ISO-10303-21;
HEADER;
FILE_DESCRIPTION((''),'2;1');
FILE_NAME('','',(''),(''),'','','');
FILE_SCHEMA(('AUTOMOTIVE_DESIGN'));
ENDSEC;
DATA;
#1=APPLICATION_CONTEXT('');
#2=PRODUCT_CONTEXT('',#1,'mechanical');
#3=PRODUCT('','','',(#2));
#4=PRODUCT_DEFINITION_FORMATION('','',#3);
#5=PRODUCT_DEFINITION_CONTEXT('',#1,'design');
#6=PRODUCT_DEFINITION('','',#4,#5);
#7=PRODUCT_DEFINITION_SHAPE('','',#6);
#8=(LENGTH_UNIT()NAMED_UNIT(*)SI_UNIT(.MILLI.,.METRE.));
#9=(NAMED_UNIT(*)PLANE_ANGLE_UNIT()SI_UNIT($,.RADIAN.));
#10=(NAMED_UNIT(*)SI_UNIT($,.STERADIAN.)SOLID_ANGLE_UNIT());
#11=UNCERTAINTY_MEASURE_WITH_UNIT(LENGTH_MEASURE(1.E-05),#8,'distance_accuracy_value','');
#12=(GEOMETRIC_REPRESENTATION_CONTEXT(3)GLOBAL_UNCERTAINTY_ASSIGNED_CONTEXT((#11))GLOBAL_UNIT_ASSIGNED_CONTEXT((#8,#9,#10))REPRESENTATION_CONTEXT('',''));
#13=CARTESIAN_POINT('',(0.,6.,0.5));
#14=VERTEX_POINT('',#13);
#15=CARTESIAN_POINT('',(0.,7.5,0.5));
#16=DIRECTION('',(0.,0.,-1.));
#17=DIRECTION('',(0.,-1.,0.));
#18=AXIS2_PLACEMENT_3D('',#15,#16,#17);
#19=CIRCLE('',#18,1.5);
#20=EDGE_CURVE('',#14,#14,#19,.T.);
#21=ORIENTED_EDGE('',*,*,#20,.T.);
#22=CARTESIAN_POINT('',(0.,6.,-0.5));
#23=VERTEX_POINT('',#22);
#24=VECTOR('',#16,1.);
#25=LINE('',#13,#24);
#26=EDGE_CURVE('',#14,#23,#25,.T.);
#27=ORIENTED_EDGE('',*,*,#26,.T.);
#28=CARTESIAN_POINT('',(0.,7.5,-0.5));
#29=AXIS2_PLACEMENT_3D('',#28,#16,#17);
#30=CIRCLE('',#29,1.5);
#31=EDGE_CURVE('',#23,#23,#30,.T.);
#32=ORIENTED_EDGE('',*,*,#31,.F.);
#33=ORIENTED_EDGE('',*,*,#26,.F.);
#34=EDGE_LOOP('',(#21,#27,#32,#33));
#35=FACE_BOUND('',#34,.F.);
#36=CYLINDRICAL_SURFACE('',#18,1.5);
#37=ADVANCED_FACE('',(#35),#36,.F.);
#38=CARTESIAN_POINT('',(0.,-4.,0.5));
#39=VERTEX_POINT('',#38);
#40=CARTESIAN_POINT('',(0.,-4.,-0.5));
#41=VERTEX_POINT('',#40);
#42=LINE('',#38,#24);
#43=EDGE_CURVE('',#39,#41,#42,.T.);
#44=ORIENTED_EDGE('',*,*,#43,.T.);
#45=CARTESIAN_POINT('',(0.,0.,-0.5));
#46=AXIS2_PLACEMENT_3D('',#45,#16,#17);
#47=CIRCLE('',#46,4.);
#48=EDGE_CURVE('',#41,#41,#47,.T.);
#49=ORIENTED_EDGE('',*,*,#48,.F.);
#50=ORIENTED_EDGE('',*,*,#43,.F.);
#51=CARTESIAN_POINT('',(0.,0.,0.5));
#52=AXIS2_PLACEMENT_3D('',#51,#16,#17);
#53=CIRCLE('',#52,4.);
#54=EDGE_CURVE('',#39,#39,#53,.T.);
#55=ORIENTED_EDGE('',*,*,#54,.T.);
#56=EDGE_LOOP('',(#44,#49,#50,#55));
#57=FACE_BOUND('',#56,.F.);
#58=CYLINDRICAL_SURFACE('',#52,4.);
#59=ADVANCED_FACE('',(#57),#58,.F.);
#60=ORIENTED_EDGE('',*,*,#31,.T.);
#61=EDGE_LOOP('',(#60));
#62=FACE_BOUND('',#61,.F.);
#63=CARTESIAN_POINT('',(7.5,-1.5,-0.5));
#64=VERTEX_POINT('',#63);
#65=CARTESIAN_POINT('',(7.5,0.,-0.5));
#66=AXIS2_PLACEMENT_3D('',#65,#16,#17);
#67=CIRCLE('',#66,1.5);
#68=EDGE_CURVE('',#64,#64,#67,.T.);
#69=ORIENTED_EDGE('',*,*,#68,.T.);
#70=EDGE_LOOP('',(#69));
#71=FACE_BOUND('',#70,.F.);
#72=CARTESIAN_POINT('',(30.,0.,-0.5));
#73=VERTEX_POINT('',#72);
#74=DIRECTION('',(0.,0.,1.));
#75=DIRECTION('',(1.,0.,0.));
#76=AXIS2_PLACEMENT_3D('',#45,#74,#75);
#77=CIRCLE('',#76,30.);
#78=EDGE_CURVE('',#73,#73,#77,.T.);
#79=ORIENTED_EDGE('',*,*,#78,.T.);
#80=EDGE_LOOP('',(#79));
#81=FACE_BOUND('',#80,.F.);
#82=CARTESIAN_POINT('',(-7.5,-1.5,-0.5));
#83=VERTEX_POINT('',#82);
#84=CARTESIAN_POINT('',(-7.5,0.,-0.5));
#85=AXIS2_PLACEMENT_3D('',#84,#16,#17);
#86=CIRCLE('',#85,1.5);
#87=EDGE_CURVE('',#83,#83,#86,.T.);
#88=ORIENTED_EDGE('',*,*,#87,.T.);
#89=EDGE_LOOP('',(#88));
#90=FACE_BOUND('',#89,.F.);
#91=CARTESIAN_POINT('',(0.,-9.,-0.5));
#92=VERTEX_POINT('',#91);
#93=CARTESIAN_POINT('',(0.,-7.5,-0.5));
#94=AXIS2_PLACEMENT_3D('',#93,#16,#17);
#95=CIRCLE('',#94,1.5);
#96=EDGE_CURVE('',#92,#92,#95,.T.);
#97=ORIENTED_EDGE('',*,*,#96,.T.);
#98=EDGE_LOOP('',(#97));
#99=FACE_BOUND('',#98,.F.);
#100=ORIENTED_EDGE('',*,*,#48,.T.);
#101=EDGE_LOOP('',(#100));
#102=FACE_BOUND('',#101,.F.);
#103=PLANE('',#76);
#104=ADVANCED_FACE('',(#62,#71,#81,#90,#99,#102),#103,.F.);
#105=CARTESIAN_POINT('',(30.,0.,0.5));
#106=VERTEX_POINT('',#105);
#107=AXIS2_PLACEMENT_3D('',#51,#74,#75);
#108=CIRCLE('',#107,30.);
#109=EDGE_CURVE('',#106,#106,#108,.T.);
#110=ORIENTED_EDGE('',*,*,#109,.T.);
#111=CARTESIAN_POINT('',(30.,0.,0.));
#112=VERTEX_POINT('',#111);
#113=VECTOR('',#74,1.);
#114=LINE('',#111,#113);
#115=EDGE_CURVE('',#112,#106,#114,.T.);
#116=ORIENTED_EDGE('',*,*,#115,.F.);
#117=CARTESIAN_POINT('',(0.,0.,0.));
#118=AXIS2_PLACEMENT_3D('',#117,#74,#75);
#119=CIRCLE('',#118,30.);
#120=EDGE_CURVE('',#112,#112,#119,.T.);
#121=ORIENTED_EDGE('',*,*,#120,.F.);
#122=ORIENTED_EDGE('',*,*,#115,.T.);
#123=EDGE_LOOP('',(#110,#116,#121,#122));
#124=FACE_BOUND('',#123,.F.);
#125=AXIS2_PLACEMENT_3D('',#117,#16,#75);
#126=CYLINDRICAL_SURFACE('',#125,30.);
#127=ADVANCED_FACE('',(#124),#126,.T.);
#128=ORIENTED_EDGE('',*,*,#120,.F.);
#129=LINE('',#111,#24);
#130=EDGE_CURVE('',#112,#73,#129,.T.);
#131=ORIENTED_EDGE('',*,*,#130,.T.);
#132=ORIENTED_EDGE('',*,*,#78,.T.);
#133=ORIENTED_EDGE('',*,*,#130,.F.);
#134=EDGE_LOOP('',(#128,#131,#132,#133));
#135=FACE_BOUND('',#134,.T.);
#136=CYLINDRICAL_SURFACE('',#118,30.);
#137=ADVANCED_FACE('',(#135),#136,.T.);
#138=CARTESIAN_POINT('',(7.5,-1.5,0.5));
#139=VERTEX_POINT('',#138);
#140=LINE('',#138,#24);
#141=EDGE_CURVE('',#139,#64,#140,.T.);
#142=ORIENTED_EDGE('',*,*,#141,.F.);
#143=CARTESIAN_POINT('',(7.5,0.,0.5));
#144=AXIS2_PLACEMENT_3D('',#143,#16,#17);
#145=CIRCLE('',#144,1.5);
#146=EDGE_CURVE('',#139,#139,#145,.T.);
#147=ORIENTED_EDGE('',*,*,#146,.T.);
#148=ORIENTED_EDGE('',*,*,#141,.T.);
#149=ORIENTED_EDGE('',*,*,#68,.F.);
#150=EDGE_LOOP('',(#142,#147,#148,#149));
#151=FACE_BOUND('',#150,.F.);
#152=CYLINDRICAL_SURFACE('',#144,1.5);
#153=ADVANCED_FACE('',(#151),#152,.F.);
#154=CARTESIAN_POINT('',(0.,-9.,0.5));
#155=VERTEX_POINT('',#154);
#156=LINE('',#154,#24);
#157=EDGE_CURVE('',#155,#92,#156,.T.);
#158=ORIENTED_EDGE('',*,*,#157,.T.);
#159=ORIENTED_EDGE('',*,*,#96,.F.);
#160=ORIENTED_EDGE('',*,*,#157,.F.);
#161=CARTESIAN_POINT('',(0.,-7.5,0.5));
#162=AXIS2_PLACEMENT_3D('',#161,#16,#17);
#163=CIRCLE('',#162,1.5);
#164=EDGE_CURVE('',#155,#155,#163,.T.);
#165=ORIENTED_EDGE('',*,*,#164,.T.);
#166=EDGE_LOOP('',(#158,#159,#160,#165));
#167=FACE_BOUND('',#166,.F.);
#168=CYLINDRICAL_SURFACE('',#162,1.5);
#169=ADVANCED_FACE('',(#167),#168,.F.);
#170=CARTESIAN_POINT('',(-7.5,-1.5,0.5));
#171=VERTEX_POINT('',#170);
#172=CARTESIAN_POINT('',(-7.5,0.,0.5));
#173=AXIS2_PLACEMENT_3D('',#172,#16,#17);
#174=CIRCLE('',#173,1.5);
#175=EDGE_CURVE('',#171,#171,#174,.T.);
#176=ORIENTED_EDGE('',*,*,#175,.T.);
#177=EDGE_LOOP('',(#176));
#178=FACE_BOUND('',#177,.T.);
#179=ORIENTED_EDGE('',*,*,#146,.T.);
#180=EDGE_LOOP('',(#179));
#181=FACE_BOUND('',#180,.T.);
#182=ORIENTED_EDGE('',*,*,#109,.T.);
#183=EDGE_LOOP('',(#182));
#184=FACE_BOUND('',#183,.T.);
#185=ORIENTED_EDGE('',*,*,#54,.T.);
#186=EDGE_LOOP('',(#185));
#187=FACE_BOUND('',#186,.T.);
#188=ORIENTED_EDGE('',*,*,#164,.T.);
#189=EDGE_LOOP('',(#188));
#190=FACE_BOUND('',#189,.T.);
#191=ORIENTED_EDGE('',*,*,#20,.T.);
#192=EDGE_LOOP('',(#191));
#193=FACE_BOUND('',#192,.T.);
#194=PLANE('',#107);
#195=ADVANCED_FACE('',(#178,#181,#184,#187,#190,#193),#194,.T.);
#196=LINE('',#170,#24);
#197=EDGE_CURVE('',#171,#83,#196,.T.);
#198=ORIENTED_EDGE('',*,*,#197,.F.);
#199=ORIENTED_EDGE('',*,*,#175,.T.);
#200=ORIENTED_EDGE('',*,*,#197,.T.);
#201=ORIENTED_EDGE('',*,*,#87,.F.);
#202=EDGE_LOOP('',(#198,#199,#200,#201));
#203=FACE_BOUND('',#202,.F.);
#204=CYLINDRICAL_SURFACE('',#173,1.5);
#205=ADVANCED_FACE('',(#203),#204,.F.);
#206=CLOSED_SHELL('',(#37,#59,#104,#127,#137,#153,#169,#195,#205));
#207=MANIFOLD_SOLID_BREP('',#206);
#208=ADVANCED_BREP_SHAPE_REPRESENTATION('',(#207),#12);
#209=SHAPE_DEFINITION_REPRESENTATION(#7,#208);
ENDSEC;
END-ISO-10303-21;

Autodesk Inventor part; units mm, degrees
ref_plane "YZ Plane" through (0, 0, 0) normal (1, 0, 0) x (0, 1, 0)
ref_plane "XZ Plane" through (0, 0, 0) normal (0, 1, 0) x (-1, 0, 0)
ref_plane "XY Plane" through (0, 0, 0) normal (0, 0, 1) x (1, 0, 0)
sketch "Sketch1" plane through (0, 0, 0) normal (0, 0, 1) x (1, 0, 0)
  circle A0 centre (0, 0) radius 30
  dimension "d0" = 60
extrude "Extrusion1" add sketch "Sketch1" along normal mid plane 1
sketch "Sketch2" plane through (0, 0, 0.5) normal (0, 0, 1) x (1, 0, 0)
  point P0 (0, 0)
  point P1 (0, 0)
hole "Hole1" at (0, 0, 0.5) direction (0, 0, -1) diameter 8 end through all
sketch "Sketch3" plane through (0, 0, 0.5) normal (0, 0, 1) x (1, 0, 0)
  circle A0 centre (0, 0) radius 4 projected
  circle A1 centre (0, 0) radius 7.5 construction
  point P0 (-7.5, 0)
  point P1 (0, 7.5)
  point P2 (7.5, 0)
  point P3 (0, -7.5)
  dimension "d10" = 15
hole "Hole2" at (-7.5, 0, 0.5) at (0, 7.5, 0.5) at (7.5, 0, 0.5) at (0, -7.5, 0.5) direction (0, 0, -1) diameter 3 end through all
properties part number "plate" material "Steel"
